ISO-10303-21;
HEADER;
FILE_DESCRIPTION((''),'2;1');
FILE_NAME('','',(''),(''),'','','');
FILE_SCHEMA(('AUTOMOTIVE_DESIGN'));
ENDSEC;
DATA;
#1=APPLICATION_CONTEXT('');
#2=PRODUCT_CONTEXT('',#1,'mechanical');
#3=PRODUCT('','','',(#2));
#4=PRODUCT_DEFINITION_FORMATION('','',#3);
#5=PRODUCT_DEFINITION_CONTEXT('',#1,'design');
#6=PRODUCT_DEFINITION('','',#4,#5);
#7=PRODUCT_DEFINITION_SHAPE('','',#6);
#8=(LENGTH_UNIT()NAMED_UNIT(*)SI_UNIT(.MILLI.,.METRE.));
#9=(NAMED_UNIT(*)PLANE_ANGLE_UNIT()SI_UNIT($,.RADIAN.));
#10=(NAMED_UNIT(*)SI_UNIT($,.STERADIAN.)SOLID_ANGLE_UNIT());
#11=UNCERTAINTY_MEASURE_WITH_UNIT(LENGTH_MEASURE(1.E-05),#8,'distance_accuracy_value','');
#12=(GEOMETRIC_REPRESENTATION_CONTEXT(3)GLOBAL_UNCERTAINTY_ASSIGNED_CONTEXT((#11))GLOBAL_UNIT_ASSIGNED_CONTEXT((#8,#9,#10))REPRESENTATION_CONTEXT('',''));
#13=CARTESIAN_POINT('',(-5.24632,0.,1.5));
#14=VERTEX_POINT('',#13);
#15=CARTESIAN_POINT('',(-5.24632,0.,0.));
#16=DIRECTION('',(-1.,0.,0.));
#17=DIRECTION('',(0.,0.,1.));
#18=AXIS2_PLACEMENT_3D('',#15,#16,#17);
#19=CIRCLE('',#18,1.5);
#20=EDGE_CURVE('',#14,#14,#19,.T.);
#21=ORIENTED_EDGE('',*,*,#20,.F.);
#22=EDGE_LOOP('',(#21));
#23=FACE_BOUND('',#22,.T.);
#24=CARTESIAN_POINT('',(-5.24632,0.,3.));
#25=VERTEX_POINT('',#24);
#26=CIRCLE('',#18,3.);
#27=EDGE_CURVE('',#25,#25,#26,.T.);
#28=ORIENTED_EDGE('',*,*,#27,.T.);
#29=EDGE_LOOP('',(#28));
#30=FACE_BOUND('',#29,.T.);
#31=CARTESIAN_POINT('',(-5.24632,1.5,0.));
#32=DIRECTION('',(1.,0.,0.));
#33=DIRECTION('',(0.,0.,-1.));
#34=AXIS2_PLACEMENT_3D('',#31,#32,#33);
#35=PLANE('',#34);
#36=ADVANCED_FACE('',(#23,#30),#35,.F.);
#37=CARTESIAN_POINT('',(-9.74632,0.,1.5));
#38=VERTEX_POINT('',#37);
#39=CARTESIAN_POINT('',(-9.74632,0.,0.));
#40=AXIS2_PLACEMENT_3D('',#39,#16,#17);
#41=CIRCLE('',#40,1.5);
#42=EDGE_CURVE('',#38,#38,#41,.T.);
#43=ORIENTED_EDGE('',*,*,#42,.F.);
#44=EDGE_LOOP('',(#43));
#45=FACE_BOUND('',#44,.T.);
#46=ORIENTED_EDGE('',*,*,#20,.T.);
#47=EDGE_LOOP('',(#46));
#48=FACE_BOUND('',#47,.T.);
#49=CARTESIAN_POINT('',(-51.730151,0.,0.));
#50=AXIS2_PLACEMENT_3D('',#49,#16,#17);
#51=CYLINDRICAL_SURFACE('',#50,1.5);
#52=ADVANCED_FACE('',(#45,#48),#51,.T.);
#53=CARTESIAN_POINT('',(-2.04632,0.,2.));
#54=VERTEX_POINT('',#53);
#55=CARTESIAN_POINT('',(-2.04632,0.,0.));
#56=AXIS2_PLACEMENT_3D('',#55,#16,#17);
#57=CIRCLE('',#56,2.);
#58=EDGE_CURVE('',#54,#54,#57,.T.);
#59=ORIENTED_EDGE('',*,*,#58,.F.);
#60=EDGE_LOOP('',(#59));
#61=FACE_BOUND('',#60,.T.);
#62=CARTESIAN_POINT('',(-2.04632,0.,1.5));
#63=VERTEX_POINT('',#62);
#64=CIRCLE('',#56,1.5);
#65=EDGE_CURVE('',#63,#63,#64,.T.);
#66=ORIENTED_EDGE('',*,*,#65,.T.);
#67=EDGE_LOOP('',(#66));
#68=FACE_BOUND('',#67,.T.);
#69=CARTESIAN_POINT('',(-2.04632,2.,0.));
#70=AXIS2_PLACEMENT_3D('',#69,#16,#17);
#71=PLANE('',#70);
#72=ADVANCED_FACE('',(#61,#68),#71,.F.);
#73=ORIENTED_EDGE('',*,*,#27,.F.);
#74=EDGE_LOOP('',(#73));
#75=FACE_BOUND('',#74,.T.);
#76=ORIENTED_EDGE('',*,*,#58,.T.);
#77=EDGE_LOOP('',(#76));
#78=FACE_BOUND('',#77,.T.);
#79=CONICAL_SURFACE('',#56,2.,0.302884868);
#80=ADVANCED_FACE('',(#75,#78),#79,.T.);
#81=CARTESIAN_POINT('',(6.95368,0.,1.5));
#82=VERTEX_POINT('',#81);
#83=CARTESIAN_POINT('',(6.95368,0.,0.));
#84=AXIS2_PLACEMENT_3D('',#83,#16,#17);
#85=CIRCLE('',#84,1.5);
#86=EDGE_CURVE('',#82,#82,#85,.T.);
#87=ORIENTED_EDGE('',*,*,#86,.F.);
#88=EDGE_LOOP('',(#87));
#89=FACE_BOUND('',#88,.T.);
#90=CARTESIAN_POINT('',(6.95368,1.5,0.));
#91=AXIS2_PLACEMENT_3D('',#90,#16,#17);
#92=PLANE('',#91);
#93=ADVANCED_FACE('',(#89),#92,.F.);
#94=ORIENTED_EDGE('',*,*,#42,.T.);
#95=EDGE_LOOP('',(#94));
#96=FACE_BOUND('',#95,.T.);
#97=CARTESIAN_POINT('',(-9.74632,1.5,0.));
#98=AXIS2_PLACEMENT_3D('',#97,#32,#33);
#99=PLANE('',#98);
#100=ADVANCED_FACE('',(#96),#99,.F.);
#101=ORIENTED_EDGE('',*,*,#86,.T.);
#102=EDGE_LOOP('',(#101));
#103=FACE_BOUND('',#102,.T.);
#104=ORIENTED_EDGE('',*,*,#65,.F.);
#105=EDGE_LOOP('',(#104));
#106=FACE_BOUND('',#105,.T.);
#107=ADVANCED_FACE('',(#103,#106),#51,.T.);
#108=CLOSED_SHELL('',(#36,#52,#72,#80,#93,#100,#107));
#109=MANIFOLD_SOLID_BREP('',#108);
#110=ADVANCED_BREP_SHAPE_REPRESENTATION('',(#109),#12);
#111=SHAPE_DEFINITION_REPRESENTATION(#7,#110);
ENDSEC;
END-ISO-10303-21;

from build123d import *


with BuildPart() as part:
    # 草图1 → 旋转1 (revolve)
    with BuildSketch(Plane.XY):
        Polygon((-9.746319796, 1.5), (-5.246319796, 1.5), (-5.246319796, 3), (-2.046319796, 2), (-2.046319796, 1.5), (6.953680204, 1.5), (6.953680204, 0), (-9.746319796, 0), align=None)
    revolve(axis=Axis((-51.730151438, 0, 0), (1, 0, 0)))


solid = part.part
